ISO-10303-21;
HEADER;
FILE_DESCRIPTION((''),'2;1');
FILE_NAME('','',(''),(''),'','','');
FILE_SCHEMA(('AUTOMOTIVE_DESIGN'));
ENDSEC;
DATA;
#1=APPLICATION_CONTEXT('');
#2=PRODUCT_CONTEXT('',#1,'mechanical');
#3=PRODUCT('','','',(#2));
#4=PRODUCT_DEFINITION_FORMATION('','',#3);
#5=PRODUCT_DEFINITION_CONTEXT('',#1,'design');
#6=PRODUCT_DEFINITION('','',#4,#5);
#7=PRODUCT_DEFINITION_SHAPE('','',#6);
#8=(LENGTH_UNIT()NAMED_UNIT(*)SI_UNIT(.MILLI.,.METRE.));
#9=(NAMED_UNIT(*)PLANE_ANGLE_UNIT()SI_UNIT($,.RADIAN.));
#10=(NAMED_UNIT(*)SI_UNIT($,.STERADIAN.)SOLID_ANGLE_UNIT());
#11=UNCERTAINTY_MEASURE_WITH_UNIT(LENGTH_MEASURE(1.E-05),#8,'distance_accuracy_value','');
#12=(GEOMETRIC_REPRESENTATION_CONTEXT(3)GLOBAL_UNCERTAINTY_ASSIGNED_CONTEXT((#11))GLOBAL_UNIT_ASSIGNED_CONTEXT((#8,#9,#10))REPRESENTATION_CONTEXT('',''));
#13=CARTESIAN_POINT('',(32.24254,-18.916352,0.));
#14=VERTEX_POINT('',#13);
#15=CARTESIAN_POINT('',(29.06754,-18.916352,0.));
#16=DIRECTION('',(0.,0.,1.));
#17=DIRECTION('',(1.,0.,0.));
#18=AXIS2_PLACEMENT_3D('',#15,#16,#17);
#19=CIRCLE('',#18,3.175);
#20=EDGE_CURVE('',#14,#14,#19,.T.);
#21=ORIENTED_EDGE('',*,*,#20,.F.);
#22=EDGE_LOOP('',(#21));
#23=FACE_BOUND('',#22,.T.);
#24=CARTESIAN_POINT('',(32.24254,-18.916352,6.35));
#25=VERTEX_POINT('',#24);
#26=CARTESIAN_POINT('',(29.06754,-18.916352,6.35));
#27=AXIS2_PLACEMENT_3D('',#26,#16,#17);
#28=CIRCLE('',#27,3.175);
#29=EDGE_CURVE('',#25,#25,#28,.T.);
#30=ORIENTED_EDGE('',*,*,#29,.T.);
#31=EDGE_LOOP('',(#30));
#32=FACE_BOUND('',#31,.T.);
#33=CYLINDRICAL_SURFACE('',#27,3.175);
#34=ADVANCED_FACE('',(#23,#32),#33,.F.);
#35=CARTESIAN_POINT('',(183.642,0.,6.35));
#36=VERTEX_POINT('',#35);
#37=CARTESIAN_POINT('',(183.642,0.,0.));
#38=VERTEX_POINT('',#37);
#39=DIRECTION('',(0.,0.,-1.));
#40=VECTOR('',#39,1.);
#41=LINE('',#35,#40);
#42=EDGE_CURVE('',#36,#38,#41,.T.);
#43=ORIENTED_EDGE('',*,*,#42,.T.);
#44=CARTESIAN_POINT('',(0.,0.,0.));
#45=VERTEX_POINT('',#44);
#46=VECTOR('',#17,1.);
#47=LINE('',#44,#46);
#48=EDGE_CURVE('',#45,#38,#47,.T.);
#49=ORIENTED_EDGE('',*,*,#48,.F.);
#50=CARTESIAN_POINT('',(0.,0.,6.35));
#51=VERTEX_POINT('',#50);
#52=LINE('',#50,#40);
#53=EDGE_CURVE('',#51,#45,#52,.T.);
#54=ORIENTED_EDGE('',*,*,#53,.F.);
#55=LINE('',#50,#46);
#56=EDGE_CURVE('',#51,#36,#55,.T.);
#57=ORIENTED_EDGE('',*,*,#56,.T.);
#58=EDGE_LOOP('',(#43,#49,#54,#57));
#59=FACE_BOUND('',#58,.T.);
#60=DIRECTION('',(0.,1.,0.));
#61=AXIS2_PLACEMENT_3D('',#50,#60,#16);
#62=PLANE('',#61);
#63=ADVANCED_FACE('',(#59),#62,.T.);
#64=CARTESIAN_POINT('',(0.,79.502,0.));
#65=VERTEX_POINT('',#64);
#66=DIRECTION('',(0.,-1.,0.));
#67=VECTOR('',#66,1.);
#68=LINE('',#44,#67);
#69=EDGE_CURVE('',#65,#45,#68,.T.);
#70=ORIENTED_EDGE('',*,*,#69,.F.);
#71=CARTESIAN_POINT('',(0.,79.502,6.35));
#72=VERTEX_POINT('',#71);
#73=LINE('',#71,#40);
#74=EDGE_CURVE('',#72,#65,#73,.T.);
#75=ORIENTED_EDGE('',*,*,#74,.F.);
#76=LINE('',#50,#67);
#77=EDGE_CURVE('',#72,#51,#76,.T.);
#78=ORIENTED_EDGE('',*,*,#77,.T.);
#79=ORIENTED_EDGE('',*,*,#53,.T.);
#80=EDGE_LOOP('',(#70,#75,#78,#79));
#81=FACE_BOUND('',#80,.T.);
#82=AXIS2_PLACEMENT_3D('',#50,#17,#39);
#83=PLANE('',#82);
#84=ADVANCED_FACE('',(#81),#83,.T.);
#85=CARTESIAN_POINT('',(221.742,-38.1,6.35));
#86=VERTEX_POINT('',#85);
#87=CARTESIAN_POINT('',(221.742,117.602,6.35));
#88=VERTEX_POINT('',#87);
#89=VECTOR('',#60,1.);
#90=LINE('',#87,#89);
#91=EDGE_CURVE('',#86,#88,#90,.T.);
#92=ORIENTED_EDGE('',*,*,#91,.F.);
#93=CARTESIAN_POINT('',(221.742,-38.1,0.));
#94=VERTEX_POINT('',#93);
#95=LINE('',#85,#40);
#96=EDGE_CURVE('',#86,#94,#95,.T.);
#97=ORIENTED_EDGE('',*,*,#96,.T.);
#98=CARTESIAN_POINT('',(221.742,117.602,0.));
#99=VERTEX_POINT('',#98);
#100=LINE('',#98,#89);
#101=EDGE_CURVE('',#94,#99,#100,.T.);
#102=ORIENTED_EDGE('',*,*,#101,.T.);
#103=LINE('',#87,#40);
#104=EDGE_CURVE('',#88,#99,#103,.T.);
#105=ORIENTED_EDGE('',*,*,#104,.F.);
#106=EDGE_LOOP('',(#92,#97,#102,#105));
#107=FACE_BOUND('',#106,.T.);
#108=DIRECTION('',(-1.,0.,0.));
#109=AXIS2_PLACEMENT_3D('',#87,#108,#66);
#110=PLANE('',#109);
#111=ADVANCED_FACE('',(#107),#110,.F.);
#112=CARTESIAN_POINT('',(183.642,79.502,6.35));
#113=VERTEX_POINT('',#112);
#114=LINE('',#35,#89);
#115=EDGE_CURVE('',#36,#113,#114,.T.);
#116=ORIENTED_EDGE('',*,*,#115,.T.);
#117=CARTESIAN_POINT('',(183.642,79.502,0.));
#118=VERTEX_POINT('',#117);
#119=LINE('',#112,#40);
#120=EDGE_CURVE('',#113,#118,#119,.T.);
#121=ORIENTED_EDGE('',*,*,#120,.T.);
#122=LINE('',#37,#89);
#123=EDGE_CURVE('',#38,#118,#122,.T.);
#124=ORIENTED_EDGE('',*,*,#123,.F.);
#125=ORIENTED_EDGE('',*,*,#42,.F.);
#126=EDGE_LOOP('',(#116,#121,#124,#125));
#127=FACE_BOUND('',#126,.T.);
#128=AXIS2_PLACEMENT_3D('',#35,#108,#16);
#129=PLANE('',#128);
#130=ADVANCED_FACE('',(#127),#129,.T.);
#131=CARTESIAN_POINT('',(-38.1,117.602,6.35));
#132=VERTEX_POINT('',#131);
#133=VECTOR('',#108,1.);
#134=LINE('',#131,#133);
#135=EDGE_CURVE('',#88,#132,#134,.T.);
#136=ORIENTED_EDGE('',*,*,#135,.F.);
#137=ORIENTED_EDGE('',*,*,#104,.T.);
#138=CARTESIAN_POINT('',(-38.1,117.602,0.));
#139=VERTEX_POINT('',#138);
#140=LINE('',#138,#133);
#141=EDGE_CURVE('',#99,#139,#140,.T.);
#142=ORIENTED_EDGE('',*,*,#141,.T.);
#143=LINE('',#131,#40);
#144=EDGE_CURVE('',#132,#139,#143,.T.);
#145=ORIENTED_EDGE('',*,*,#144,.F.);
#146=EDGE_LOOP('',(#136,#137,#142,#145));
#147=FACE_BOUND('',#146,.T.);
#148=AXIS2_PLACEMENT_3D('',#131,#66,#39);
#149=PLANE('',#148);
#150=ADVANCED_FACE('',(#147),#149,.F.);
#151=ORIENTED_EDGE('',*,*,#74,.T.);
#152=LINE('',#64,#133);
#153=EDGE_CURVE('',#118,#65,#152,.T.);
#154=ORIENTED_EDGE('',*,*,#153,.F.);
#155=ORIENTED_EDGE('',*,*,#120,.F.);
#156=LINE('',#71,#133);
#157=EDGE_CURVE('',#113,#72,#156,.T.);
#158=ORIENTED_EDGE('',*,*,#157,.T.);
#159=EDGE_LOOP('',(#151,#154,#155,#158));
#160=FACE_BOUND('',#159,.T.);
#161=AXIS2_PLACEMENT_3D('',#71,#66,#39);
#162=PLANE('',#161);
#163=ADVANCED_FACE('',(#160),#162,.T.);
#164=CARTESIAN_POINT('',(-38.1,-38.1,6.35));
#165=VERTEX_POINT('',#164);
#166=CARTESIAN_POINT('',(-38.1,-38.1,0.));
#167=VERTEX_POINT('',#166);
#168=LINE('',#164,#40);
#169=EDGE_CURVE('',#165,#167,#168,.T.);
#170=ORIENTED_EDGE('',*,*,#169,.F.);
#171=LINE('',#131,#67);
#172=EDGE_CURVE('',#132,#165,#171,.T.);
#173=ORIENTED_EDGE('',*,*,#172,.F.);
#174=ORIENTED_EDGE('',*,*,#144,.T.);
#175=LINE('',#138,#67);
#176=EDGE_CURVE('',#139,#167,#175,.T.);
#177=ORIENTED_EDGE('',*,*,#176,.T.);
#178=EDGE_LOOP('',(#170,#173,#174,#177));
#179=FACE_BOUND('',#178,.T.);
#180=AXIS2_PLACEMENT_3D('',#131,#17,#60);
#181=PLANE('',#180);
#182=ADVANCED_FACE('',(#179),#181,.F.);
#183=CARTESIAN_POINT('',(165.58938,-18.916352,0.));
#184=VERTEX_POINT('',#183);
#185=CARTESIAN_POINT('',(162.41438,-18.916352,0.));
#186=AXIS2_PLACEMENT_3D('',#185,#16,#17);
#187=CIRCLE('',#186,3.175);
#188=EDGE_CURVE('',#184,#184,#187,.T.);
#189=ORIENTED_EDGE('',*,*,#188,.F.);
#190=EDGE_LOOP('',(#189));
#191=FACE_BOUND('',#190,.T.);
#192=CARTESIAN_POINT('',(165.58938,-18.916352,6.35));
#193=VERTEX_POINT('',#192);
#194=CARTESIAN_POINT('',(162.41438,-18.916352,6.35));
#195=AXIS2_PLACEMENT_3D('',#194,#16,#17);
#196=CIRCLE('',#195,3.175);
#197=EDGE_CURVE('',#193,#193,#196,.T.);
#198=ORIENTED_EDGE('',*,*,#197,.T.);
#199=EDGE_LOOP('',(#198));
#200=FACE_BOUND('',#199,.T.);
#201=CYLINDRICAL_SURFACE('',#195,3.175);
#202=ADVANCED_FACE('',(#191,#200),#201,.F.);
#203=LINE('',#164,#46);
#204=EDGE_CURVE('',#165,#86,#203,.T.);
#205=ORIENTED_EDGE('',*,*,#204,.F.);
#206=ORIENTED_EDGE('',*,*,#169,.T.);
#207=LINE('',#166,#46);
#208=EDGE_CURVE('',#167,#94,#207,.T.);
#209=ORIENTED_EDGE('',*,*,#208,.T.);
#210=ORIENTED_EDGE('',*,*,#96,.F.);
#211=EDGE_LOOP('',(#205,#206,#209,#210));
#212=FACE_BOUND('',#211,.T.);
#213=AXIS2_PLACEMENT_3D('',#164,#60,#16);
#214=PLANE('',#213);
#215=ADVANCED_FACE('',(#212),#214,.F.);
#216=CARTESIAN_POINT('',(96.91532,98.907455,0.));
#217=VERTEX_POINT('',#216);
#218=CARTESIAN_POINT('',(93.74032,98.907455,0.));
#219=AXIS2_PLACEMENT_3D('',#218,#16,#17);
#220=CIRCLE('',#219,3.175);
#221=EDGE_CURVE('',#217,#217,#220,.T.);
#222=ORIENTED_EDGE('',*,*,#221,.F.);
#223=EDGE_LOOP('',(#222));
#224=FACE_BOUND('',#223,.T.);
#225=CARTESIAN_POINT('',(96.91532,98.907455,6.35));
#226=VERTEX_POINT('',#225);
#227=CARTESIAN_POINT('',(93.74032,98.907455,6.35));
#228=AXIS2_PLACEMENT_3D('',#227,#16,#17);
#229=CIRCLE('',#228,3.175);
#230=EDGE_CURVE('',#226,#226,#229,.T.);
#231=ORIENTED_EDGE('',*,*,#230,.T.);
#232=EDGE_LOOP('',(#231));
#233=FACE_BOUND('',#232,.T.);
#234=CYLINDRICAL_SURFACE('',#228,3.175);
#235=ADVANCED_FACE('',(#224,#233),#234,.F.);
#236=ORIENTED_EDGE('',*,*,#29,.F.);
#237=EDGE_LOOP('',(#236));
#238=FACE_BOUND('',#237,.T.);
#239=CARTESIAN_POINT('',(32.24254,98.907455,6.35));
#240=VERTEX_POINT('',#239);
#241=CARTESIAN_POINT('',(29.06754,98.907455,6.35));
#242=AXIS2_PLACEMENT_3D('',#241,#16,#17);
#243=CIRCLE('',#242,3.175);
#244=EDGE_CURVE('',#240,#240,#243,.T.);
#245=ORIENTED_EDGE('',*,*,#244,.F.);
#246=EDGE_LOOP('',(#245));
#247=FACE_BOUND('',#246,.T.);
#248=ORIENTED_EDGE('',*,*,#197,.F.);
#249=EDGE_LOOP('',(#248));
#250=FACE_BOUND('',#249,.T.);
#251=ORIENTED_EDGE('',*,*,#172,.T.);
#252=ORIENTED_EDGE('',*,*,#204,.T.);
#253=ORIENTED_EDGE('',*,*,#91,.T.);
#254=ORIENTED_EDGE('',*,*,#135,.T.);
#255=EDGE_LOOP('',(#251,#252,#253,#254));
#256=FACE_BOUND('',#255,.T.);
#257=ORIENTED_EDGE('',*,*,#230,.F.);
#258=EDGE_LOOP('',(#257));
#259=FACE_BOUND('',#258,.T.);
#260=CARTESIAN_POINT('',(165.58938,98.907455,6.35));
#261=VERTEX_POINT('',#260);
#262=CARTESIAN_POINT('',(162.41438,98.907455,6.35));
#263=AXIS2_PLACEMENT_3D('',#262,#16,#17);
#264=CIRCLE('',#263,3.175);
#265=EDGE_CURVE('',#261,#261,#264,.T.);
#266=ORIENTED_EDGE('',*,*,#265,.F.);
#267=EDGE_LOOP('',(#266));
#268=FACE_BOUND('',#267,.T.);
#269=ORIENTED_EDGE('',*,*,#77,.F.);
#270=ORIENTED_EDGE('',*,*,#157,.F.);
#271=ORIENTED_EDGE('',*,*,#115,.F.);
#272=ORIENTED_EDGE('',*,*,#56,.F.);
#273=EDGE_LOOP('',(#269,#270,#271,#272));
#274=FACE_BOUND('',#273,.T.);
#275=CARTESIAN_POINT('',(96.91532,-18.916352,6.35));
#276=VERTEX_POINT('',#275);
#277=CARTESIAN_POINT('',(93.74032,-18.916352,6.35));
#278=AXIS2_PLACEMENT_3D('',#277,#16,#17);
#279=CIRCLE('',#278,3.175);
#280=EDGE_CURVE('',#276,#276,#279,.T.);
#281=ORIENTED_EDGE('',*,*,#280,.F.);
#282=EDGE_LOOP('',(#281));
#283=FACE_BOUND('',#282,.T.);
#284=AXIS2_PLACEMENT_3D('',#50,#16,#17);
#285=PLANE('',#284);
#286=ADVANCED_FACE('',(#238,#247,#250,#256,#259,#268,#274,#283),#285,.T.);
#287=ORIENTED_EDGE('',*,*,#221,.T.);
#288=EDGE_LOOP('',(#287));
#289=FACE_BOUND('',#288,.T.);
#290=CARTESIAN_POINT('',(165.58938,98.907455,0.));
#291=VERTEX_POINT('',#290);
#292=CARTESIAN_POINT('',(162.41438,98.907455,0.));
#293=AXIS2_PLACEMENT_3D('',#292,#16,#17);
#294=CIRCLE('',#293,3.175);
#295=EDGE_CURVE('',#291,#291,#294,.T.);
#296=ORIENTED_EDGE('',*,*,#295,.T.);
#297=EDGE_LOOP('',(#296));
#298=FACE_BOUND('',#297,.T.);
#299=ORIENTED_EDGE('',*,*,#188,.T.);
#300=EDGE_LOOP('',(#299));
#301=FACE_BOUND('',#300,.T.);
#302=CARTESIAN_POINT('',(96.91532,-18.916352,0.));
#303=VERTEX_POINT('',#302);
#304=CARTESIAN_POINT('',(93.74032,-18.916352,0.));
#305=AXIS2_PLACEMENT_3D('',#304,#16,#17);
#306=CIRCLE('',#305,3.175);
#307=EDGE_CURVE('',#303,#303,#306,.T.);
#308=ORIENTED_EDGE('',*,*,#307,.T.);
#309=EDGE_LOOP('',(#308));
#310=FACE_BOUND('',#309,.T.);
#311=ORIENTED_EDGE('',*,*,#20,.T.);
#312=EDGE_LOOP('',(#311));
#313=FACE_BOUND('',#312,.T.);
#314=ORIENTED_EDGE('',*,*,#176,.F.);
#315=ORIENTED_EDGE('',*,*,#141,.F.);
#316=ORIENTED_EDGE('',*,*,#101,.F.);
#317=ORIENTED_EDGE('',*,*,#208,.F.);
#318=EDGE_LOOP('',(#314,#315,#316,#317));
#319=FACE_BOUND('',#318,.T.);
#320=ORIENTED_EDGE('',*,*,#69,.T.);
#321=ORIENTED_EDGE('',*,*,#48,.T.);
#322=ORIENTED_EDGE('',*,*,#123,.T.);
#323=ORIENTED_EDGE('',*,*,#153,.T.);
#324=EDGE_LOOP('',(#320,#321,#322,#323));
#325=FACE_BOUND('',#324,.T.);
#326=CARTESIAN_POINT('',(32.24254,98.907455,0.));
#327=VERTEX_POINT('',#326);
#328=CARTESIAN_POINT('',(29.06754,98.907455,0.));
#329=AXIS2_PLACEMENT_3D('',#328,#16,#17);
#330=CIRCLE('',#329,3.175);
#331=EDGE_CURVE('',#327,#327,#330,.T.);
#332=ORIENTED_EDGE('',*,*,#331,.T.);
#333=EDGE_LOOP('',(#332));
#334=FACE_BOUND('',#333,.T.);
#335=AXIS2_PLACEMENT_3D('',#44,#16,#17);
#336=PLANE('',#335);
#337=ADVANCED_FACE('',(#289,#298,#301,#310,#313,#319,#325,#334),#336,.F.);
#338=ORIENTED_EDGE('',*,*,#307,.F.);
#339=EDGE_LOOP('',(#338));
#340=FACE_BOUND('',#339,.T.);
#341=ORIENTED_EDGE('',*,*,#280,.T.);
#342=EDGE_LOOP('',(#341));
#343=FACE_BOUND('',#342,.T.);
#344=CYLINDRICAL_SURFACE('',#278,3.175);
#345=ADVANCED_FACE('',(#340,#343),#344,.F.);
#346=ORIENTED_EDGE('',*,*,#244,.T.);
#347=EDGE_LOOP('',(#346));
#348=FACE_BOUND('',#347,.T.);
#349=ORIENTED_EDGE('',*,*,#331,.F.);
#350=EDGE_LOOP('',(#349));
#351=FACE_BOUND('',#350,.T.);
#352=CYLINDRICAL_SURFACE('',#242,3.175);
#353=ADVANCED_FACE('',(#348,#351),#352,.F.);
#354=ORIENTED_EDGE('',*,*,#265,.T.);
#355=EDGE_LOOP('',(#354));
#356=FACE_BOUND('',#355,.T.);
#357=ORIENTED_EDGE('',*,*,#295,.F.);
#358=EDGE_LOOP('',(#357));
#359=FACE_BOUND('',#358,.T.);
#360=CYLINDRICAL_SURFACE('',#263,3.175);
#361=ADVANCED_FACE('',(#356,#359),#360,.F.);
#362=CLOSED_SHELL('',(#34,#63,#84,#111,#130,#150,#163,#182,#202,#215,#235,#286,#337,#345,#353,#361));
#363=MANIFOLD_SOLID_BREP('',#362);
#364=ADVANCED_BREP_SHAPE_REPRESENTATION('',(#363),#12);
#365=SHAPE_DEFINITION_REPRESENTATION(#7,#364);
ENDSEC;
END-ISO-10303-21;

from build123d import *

# Parameters (mm, degrees)
SKETCH1_W                   = 259.842
SKETCH1_H                   = 155.702
SKETCH1_W_2                 = 183.642
SKETCH1_H_2                 = 79.502
BOSS_EXTRUDE1_DEPTH         = 6.35
F_1_4_0_25_DIAMETER_SLOT1_D = 6.35


with BuildPart() as part:
    # Sketch1 → Boss-Extrude1 (new body)
    with BuildSketch(Plane.XY):
        with Locations((91.821, 39.751)):
            Rectangle(SKETCH1_W, SKETCH1_H)
        with Locations((91.821, 39.751)):
            Rectangle(SKETCH1_W_2, SKETCH1_H_2, mode=Mode.SUBTRACT)
    extrude(amount=BOSS_EXTRUDE1_DEPTH)

    # 1/4 (0.25) Diameter Slot1 (through all)
    with Locations(Plane.XY.offset(6.35)):
        with Locations((29.067540373, 98.907455137), (93.740319595, 98.907455137), (162.414380138, 98.907455137), (162.414380138, -18.916352314), (93.740319595, -18.916352314), (29.067540373, -18.916352314)):
            Hole(F_1_4_0_25_DIAMETER_SLOT1_D / 2)


solid = part.part
